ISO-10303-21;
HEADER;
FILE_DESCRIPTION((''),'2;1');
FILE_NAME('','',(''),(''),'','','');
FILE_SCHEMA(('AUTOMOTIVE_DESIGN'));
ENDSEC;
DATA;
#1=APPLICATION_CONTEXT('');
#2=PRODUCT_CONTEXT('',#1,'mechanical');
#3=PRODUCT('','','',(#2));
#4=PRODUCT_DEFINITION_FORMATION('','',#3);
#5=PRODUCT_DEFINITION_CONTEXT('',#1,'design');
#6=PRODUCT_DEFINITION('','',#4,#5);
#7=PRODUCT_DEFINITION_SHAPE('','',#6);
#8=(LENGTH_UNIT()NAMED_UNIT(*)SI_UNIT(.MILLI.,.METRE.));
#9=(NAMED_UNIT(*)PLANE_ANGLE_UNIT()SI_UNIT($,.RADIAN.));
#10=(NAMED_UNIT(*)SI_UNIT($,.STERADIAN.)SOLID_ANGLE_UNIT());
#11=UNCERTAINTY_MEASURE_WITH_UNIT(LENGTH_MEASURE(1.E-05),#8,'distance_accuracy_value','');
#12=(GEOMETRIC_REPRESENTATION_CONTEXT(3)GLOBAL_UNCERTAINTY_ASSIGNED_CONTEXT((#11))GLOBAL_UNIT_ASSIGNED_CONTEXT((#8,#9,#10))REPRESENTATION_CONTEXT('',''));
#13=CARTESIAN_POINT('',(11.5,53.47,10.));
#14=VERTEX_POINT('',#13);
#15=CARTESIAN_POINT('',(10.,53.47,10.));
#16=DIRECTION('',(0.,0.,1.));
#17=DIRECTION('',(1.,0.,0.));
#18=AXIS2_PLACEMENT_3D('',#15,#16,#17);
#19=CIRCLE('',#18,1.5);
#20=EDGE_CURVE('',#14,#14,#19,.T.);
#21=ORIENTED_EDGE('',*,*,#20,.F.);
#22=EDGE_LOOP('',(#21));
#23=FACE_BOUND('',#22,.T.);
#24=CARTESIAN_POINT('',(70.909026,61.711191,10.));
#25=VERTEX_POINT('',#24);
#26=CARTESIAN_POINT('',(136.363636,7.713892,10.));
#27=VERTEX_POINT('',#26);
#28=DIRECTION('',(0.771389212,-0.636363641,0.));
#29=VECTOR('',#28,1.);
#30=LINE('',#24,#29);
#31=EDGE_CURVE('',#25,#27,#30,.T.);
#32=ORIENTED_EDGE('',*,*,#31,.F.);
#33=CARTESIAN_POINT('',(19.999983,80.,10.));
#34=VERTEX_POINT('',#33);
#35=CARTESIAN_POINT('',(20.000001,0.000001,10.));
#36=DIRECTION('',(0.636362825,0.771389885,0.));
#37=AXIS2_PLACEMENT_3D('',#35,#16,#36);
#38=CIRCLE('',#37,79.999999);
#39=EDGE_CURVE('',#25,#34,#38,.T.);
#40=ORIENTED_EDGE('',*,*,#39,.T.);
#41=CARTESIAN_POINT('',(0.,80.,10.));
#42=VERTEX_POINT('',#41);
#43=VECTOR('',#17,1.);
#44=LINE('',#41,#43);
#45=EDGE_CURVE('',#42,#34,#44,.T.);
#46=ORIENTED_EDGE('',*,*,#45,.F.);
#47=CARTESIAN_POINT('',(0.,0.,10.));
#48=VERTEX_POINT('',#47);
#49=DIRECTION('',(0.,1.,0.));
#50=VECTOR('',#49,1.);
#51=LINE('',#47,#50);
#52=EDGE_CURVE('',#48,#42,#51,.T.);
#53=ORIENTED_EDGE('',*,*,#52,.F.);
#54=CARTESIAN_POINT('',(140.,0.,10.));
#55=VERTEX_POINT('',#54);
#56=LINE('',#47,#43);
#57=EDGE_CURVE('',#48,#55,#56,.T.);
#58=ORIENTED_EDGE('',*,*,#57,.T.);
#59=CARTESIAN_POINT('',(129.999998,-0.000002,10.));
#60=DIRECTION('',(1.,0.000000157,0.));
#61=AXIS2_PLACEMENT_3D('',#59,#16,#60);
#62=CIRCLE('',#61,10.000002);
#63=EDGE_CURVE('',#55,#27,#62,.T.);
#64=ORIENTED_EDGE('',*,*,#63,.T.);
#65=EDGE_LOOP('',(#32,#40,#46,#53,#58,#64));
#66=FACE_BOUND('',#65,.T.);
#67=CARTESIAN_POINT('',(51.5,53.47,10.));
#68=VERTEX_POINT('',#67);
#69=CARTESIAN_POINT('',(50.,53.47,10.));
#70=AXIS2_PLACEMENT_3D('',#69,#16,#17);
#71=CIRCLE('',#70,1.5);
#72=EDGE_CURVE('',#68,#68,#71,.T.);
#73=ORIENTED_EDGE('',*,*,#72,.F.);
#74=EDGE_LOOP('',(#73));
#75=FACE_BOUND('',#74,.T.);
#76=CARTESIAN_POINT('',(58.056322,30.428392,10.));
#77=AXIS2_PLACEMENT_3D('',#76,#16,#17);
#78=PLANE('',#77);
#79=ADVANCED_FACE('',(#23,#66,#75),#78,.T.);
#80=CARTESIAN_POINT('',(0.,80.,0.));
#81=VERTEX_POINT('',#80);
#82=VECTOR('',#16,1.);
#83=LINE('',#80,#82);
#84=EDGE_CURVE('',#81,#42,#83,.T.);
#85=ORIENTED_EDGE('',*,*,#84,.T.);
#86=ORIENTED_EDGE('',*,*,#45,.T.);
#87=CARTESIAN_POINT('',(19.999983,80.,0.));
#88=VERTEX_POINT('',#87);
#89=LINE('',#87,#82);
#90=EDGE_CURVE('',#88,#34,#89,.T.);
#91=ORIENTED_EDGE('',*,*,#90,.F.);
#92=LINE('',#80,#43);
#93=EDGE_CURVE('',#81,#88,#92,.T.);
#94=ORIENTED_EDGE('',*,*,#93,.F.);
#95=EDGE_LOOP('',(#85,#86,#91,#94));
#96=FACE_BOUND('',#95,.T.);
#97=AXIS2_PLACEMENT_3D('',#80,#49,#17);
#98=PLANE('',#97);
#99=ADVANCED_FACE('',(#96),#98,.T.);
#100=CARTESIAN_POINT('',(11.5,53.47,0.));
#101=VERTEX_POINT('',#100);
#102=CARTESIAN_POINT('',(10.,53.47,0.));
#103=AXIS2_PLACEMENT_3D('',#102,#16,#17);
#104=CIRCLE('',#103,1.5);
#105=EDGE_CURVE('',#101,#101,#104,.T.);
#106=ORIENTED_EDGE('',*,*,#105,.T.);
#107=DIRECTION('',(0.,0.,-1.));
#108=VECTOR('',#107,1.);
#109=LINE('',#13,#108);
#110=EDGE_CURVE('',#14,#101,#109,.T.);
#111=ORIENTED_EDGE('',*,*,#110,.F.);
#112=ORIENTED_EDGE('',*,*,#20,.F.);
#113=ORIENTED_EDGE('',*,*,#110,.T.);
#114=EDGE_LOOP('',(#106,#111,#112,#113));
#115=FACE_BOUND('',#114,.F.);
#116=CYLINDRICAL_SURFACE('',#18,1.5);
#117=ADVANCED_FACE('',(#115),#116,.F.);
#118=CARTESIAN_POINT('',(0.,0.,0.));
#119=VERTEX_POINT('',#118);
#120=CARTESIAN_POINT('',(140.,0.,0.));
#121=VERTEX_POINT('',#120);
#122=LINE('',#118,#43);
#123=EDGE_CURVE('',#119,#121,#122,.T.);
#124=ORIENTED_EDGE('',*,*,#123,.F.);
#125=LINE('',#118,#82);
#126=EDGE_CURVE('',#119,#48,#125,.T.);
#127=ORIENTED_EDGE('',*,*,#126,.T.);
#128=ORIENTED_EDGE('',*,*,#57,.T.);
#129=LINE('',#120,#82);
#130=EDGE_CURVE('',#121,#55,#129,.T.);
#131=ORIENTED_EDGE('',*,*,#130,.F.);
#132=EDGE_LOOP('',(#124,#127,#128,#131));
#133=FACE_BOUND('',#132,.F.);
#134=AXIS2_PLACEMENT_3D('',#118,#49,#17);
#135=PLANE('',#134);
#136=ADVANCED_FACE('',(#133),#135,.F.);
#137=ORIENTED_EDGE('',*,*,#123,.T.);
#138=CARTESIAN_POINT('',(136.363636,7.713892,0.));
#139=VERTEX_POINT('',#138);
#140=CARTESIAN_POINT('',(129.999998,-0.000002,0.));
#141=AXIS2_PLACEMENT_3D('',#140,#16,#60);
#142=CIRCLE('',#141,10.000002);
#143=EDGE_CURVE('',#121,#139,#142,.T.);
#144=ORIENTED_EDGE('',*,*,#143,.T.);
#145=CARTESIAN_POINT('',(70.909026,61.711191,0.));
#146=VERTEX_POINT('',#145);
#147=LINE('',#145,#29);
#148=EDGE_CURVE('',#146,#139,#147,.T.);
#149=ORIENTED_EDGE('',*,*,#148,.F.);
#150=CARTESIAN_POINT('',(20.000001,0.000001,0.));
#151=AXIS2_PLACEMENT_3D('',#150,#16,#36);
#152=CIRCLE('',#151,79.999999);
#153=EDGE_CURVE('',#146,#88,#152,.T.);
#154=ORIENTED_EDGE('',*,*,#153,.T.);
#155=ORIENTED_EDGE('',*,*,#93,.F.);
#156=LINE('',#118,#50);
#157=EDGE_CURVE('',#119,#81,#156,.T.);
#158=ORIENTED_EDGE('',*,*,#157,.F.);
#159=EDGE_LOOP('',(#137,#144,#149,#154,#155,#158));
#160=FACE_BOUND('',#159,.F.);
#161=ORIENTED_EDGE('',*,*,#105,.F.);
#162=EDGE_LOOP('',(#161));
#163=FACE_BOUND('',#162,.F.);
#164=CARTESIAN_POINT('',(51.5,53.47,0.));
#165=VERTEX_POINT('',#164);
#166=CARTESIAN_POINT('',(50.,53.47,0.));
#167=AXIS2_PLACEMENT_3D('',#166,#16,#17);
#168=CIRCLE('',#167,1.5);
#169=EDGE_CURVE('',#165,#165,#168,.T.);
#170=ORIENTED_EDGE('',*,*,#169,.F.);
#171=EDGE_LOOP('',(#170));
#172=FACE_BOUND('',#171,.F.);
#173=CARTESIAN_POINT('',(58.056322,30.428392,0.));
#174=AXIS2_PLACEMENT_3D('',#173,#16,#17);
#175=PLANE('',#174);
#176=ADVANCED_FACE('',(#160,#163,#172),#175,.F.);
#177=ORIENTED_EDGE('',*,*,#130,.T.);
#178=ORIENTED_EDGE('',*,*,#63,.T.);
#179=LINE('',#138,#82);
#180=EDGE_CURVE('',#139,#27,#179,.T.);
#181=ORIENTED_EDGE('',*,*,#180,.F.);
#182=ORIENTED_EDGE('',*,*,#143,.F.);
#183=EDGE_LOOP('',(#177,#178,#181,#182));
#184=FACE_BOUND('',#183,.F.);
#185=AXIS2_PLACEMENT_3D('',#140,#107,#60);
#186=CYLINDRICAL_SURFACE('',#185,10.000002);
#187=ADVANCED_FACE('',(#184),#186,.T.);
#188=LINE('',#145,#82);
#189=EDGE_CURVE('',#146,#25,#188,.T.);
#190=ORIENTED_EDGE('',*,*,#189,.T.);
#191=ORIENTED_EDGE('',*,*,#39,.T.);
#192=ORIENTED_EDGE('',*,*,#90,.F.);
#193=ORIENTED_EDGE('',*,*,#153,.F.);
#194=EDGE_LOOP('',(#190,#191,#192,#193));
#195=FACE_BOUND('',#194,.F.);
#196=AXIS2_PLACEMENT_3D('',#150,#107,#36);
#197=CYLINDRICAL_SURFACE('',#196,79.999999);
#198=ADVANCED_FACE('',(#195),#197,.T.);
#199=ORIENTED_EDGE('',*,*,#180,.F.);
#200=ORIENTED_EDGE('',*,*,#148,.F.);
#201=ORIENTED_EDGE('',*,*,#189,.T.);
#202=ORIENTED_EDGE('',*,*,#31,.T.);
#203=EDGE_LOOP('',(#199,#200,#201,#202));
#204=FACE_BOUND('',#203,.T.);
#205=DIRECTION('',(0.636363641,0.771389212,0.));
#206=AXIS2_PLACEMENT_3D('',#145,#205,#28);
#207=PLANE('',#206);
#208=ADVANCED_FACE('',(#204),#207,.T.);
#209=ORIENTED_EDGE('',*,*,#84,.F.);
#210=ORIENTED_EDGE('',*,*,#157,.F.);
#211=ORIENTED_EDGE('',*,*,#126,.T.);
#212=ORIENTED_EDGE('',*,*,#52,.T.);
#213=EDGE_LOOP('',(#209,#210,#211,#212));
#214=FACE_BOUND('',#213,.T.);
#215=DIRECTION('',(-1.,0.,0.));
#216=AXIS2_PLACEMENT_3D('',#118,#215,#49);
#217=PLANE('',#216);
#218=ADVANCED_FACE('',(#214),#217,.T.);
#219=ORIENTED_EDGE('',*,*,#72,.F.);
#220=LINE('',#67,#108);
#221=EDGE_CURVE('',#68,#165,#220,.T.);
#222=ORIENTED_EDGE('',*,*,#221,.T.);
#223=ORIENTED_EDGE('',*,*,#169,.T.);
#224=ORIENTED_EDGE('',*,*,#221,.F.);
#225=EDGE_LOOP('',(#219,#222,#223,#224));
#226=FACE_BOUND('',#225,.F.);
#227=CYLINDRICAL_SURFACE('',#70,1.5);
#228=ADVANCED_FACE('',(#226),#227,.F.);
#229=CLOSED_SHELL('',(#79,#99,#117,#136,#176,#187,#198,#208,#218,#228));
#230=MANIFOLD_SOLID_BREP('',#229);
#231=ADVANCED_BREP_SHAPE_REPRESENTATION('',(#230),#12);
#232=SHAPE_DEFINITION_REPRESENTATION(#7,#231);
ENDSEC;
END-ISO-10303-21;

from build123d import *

# Parameters (mm, degrees)
PAD_DEPTH    = 10
SKETCH001_R  = 1.5
POCKET_DEPTH = 10.001


with BuildPart() as part:
    # Sketch → Pad (new body)
    with BuildSketch(Plane.XY):
        with BuildLine():
            Line((0, 0), (140, 0))
            ThreePointArc((140, 0), (139.04534, 4.264014), (136.363636, 7.713892))
            Line((70.909026, 61.711191), (136.363636, 7.713892))
            ThreePointArc((70.909026, 61.711191), (47.047216, 75.289097), (19.999983, 80))
            Line((0, 80), (19.999983, 80))
            Line((0, 0), (0, 80))
        make_face()
    extrude(amount=PAD_DEPTH)

    # Sketch001 → Pocket (cut, through all)
    with BuildSketch(Plane.XY.offset(10)):
        with Locations((10, 53.47)):
            Circle(SKETCH001_R)
        with Locations((50, 53.47)):
            Circle(SKETCH001_R)
    extrude(amount=-POCKET_DEPTH, mode=Mode.SUBTRACT)


solid = part.part
